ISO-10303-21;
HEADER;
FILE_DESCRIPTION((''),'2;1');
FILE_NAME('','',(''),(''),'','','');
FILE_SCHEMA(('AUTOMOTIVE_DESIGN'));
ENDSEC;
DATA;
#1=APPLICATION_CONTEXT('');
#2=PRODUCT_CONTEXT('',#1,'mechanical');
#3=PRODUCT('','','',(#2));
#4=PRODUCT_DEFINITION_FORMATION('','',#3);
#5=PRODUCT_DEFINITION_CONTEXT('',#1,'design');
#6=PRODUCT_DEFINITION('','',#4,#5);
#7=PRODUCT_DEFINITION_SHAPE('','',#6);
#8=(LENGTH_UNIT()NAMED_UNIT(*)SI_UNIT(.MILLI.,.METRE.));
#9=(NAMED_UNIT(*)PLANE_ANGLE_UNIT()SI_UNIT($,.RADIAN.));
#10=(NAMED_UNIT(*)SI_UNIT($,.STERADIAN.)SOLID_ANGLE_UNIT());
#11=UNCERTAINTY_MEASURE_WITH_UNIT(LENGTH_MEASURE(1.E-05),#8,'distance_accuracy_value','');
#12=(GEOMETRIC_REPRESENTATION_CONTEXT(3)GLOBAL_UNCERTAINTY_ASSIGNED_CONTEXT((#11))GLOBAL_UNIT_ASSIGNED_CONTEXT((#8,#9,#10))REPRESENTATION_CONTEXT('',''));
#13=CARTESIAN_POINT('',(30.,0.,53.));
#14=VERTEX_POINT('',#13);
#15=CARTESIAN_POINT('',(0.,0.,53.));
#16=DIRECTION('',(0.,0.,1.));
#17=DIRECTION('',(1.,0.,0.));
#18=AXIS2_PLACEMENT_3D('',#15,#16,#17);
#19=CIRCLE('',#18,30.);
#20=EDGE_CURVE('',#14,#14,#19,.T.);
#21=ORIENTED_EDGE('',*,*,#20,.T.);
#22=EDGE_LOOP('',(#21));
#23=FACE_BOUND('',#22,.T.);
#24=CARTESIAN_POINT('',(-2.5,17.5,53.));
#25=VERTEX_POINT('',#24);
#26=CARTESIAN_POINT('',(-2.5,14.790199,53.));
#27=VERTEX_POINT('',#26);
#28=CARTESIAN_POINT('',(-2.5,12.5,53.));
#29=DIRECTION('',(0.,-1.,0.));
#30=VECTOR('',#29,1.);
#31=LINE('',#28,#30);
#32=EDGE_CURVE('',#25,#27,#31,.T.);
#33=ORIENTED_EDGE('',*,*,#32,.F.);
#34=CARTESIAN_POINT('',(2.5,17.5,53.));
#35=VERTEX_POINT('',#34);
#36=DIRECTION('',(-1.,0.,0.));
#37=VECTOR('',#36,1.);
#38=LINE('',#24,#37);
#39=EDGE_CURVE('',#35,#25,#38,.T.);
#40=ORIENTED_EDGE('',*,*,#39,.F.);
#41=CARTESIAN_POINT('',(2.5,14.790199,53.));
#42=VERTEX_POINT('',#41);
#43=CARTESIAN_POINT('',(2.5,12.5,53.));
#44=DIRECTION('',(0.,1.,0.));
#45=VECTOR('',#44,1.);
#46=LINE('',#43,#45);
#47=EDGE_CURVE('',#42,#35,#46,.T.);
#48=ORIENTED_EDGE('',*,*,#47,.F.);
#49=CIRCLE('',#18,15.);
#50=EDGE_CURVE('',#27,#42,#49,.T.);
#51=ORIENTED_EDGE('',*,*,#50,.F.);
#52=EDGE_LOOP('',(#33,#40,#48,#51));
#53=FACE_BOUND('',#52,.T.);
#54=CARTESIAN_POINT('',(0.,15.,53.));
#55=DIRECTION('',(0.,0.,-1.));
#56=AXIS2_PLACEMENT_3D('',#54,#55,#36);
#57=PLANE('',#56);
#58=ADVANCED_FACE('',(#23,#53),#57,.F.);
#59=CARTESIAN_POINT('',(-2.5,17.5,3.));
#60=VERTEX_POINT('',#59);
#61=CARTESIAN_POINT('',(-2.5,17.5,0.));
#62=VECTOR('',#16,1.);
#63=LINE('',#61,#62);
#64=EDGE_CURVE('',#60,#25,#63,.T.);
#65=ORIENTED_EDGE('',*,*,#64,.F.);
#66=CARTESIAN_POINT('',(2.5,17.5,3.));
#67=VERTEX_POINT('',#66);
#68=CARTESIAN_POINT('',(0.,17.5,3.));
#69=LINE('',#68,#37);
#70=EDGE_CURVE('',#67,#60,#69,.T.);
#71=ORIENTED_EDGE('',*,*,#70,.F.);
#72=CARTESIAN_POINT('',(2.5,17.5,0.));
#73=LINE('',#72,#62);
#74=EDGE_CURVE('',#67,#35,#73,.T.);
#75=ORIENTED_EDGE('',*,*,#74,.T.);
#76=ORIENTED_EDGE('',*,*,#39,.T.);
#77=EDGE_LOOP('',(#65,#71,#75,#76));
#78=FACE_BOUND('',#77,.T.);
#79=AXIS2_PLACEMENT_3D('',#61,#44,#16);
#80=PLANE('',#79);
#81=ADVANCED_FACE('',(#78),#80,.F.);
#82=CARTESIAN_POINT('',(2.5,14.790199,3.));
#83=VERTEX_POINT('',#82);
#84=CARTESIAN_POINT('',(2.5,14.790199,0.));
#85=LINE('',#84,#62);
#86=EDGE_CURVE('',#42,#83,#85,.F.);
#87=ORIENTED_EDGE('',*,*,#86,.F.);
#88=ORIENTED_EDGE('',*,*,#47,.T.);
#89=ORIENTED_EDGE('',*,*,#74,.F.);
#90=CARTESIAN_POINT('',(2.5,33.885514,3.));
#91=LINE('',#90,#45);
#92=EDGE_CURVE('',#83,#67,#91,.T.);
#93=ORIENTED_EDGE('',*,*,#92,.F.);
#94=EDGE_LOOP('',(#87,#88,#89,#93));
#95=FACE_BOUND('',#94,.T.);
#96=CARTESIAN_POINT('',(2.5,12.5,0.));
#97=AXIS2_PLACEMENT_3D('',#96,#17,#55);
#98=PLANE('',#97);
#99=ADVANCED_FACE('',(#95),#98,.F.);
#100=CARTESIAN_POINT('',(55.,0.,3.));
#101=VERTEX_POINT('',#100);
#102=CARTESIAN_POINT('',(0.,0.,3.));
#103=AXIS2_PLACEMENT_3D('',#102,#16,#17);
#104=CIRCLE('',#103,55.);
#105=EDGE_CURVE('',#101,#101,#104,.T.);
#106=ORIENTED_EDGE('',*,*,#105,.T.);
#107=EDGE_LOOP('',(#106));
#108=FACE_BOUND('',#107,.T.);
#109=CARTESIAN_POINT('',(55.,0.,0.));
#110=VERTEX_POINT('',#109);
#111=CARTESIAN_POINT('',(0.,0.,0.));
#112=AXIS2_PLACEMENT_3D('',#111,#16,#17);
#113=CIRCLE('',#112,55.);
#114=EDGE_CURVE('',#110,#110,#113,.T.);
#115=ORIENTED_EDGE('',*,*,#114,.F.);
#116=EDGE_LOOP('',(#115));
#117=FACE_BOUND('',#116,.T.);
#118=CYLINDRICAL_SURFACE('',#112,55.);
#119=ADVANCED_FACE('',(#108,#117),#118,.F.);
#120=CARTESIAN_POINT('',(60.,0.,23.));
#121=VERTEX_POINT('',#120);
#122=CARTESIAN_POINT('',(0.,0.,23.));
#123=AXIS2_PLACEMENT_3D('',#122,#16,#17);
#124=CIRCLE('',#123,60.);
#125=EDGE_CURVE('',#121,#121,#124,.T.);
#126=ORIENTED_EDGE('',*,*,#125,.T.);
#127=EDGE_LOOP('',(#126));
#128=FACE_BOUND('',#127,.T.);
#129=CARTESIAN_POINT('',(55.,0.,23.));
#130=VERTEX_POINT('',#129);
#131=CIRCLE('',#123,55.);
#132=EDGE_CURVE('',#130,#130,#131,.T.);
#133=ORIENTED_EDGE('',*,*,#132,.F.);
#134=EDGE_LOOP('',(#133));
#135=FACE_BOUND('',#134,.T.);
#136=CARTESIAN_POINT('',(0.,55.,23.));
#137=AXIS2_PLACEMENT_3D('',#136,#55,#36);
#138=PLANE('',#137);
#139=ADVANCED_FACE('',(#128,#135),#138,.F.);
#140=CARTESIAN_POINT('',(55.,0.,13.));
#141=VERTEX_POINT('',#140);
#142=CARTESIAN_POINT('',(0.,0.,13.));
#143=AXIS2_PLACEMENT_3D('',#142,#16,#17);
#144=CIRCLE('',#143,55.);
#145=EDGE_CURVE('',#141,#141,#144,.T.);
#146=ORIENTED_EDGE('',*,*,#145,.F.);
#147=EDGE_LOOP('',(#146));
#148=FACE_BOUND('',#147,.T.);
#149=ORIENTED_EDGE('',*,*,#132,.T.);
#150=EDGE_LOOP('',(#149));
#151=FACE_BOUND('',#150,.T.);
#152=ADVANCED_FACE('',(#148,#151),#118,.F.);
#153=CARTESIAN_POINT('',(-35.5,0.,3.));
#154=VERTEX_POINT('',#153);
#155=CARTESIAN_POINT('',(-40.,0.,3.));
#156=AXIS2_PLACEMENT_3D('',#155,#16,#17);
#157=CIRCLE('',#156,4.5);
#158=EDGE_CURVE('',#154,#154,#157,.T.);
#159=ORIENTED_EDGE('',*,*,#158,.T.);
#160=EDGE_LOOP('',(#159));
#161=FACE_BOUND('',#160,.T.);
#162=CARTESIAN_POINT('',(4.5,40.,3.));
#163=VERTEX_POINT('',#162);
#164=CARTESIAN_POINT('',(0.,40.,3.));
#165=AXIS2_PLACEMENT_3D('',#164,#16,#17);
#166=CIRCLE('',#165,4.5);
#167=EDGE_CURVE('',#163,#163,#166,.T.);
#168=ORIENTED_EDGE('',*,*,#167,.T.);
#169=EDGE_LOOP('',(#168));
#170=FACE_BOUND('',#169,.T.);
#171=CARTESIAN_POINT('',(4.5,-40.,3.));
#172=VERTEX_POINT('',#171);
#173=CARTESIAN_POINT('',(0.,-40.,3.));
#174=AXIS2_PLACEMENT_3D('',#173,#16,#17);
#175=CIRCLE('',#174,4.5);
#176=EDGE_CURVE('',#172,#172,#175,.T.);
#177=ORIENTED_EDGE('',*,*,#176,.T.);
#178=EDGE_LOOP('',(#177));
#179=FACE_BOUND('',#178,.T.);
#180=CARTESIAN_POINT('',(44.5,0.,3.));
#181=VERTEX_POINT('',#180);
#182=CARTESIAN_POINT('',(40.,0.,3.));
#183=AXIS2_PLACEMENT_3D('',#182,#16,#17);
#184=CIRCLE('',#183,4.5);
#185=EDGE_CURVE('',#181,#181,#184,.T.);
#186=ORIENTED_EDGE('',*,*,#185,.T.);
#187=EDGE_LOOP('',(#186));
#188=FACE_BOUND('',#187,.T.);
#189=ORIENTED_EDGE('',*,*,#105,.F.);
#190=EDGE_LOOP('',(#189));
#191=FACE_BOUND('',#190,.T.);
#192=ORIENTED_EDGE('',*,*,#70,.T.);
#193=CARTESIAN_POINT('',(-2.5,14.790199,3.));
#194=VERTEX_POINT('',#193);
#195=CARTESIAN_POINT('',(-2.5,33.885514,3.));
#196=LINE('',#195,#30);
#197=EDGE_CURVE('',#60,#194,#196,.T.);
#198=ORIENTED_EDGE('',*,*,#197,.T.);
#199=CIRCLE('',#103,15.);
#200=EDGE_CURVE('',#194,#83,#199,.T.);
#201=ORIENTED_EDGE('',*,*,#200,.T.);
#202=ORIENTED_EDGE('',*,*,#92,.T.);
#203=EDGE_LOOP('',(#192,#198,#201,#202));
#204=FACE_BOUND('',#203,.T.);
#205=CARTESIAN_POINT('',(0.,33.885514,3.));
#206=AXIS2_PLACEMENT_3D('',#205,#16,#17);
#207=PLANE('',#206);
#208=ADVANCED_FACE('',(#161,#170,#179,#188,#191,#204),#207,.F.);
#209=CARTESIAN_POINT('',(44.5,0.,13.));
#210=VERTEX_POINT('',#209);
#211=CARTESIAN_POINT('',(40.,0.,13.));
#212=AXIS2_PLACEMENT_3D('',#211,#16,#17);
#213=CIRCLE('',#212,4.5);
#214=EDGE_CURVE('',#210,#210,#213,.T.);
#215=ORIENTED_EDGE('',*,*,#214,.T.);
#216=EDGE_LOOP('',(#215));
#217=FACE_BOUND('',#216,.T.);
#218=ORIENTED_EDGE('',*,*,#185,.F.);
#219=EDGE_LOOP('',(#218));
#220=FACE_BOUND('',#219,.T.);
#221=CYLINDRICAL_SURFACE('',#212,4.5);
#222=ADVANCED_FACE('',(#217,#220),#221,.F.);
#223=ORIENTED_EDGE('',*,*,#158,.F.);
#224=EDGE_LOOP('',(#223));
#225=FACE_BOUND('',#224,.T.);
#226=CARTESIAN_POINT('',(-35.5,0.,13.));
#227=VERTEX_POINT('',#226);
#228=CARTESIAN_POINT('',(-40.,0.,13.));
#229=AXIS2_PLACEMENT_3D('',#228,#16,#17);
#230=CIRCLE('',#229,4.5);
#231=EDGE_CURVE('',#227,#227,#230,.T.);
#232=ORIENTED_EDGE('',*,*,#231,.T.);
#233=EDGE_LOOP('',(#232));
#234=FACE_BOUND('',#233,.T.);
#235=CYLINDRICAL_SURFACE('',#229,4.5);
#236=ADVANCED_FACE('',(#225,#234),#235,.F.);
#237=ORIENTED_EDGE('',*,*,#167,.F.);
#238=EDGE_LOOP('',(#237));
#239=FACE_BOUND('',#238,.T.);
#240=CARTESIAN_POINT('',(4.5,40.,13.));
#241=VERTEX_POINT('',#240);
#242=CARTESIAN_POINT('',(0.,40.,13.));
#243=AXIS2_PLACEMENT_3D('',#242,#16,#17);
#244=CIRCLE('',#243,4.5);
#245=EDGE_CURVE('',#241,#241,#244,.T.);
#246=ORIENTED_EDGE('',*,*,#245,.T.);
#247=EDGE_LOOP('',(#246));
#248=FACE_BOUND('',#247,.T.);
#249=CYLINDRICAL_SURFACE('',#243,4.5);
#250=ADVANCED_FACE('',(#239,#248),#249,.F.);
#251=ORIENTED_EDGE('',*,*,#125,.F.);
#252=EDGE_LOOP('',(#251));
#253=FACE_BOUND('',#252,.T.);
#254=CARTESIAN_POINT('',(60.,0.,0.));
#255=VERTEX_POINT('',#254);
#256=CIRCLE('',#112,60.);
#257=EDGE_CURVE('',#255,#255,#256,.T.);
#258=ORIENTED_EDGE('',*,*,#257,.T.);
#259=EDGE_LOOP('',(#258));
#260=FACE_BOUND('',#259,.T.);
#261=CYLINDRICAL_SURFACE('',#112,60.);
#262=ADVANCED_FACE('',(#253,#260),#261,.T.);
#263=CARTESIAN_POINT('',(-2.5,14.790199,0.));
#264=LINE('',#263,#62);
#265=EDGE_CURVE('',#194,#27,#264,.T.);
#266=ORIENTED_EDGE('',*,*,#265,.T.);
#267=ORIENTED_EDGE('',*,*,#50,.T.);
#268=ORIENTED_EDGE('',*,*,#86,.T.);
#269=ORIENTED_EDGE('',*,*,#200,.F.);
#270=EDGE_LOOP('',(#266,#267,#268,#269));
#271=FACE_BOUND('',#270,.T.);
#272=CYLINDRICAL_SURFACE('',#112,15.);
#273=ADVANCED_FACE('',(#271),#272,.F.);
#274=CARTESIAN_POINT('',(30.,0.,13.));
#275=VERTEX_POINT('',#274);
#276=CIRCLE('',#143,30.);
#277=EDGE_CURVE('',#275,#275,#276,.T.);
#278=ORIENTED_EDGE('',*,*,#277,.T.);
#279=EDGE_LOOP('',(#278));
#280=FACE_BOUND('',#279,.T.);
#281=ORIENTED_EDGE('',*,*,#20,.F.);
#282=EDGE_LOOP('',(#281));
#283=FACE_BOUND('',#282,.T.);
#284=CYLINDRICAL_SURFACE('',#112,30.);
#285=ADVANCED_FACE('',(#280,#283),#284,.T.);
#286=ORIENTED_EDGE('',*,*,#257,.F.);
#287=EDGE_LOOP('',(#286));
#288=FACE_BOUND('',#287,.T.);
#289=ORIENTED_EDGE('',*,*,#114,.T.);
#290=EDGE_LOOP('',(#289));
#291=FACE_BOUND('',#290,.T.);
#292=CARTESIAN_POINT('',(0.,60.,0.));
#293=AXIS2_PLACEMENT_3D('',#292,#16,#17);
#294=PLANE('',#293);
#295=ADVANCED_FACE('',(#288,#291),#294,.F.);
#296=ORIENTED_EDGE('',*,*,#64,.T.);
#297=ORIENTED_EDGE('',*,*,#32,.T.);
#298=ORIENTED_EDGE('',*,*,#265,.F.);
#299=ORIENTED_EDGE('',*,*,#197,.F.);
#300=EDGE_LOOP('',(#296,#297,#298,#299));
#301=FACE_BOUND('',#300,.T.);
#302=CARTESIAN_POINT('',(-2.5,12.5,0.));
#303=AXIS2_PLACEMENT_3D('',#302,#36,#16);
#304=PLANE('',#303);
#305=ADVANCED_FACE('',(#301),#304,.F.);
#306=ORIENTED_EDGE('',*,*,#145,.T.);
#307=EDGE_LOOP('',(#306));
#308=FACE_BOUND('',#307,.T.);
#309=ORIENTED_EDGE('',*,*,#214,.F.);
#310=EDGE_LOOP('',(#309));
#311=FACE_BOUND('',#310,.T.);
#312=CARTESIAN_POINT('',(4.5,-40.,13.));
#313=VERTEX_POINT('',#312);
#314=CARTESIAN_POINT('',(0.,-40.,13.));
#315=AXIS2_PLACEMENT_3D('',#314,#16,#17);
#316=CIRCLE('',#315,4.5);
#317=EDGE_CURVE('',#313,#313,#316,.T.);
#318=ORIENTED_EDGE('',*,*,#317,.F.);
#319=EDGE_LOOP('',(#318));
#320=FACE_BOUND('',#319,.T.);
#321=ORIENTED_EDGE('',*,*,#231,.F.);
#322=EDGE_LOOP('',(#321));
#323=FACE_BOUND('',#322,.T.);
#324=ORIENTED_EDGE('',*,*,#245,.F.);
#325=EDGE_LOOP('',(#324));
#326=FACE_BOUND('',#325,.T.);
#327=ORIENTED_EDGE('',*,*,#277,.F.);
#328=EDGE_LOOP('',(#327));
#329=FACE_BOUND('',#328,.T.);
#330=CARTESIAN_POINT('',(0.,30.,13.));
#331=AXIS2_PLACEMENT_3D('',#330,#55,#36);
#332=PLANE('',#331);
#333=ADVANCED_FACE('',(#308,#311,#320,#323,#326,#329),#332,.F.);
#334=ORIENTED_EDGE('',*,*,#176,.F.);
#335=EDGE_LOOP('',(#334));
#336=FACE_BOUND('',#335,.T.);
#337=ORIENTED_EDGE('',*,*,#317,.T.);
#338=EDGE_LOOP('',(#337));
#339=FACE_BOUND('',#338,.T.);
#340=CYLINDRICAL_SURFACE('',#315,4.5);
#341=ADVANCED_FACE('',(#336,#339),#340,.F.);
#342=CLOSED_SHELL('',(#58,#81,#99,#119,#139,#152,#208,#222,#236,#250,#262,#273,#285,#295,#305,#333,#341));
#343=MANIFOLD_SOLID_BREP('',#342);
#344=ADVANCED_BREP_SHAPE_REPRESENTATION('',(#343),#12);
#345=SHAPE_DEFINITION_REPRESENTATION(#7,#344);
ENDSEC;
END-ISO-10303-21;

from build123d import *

# Parameters (mm, degrees)
SKETCH2_W            = 5
SKETCH2_H            = 5
CUT_EXTRUDE1_DEPTH   = 54
M8_CLEARANCE_HOLE2_D = 9
CIRPATTERN1_COUNT    = 4


with BuildPart() as part:
    # Sketch1 → Revolve1 (revolve)
    with BuildSketch(Plane(origin=(0, 0, 0), x_dir=(0, 0, -1), z_dir=(1, 0, 0))):
        Polygon((-3, 15), (-53, 15), (-53, 30), (-13, 30), (-13, 55), (-23, 55), (-23, 60), (0, 60), (0, 55), (-3, 55), (-3, 33.885514375), align=None)
    revolve(axis=Axis((0, 0, 0), (0, 0, -1)))

    # Sketch2 → Cut-Extrude1 (cut, through all)
    with BuildSketch(Plane.XY.offset(53)):
        with Locations((0, 15)):
            Rectangle(SKETCH2_W, SKETCH2_H)
    extrude(amount=-CUT_EXTRUDE1_DEPTH, mode=Mode.SUBTRACT)

    # M8 Clearance Hole2 (through all)
    with Locations(Plane.XY.offset(13)):
        with Locations((0, 40)):
            m8_clearance_hole2 = Hole(M8_CLEARANCE_HOLE2_D / 2)

    # CirPattern1: M8 Clearance Hole2 ×4 about axis
    cirpattern1_axis = Axis((0, 0, 0), (0, 0, 1))
    for i in range(1, CIRPATTERN1_COUNT):
        add(m8_clearance_hole2.rotate(cirpattern1_axis, i * 360 / CIRPATTERN1_COUNT), mode=Mode.SUBTRACT)


solid = part.part
